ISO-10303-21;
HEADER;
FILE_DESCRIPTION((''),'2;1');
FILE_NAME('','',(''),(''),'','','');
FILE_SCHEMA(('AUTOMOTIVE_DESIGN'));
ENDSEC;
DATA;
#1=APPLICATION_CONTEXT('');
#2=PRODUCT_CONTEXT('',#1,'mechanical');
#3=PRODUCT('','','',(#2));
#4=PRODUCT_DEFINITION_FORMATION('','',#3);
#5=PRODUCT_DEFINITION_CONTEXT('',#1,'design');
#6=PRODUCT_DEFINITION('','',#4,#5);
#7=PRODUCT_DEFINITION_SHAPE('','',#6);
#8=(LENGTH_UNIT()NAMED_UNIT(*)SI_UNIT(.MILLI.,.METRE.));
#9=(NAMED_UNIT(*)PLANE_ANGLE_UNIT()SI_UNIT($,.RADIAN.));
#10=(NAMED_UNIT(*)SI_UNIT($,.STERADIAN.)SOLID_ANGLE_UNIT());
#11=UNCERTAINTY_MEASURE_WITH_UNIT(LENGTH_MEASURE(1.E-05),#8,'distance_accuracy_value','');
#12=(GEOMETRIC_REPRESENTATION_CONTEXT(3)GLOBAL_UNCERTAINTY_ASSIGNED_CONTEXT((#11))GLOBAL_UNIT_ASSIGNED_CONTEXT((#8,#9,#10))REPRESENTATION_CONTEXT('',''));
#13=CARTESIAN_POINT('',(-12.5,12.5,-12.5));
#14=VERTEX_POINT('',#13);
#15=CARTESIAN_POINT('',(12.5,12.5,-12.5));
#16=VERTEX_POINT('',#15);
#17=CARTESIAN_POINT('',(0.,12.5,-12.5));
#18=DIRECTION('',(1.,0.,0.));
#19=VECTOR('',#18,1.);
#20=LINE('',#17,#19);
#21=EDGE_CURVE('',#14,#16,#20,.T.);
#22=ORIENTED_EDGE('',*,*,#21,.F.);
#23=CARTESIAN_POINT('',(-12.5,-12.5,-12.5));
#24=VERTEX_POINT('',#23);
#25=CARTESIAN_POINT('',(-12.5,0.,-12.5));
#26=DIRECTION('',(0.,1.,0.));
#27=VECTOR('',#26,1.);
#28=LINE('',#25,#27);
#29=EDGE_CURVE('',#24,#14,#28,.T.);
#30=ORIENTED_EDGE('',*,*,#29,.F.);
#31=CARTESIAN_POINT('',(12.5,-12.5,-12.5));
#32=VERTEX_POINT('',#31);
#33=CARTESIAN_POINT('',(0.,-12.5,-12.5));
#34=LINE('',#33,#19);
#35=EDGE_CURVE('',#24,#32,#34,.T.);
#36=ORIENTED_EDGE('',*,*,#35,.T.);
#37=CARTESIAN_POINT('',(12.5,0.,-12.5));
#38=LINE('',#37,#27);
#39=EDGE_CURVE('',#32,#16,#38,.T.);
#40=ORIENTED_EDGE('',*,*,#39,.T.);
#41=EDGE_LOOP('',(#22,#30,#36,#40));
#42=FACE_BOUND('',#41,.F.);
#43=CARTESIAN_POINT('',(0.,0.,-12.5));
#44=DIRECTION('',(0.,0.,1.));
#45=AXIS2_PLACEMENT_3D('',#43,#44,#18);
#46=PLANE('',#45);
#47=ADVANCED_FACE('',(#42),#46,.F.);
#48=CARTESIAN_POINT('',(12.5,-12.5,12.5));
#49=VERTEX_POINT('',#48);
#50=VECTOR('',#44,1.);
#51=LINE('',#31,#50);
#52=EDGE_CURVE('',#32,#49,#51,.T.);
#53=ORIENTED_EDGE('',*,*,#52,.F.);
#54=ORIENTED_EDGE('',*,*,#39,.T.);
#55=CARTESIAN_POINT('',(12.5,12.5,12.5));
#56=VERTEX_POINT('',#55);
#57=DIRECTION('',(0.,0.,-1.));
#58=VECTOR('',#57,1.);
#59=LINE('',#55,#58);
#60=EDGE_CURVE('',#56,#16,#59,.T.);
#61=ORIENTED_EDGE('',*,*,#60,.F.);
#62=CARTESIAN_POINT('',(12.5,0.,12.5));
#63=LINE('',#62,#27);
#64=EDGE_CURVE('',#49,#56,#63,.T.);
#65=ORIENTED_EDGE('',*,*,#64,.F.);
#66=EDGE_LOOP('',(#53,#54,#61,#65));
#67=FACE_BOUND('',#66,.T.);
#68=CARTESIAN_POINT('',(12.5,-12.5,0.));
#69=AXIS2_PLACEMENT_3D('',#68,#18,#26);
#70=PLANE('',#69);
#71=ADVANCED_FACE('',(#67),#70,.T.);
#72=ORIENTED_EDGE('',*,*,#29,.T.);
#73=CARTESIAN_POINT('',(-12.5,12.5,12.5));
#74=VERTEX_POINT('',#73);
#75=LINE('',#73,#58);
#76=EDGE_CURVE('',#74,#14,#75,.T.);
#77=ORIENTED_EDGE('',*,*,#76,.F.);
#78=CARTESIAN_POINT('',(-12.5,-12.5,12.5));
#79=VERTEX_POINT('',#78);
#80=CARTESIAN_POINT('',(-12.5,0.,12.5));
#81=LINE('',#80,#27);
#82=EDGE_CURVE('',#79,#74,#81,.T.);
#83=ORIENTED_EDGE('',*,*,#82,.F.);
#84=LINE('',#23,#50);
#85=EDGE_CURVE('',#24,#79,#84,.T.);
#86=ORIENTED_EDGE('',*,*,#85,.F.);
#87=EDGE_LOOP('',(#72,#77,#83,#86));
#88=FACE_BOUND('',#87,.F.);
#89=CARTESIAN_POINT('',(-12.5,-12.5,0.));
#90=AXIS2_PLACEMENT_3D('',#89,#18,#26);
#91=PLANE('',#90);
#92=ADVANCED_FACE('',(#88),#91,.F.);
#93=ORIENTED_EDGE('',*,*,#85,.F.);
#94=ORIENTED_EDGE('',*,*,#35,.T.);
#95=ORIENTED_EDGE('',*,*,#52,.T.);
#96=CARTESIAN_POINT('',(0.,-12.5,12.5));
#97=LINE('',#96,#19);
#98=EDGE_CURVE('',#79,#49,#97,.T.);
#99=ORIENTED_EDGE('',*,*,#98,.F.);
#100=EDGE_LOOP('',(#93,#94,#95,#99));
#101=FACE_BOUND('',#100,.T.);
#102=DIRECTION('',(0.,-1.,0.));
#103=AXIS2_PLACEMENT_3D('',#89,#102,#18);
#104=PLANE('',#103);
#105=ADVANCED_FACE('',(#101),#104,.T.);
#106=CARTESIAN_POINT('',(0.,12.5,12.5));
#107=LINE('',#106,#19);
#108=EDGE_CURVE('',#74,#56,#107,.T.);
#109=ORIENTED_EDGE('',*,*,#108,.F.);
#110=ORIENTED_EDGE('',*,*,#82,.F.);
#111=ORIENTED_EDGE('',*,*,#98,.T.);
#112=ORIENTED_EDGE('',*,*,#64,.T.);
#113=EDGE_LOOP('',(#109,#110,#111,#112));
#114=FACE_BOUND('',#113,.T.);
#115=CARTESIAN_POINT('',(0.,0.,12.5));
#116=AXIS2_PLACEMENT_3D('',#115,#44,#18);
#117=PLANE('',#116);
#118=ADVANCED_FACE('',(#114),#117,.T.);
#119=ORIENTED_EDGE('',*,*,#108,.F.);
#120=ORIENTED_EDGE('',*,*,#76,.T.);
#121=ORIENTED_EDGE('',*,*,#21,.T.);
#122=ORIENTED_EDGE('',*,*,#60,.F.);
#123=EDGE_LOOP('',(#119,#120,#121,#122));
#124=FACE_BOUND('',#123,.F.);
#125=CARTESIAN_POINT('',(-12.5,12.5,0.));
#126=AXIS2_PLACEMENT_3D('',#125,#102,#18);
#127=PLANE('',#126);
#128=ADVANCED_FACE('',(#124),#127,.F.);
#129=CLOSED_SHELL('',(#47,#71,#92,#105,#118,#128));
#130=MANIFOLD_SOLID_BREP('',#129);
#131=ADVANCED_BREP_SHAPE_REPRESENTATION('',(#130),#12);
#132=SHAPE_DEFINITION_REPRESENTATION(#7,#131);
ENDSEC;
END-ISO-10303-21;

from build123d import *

# Parameters (mm, degrees)
SKIZZE1_W                       = 25
SKIZZE1_H                       = 25
AUFSATZ_LINEAR_AUSTRAGEN1_DEPTH = 12.5


with BuildPart() as part:
    # Skizze1 → Aufsatz-Linear austragen1 (new body, symmetric)
    with BuildSketch(Plane.XY):
        Rectangle(SKIZZE1_W, SKIZZE1_H)
    extrude(amount=AUFSATZ_LINEAR_AUSTRAGEN1_DEPTH, both=True)


solid = part.part
